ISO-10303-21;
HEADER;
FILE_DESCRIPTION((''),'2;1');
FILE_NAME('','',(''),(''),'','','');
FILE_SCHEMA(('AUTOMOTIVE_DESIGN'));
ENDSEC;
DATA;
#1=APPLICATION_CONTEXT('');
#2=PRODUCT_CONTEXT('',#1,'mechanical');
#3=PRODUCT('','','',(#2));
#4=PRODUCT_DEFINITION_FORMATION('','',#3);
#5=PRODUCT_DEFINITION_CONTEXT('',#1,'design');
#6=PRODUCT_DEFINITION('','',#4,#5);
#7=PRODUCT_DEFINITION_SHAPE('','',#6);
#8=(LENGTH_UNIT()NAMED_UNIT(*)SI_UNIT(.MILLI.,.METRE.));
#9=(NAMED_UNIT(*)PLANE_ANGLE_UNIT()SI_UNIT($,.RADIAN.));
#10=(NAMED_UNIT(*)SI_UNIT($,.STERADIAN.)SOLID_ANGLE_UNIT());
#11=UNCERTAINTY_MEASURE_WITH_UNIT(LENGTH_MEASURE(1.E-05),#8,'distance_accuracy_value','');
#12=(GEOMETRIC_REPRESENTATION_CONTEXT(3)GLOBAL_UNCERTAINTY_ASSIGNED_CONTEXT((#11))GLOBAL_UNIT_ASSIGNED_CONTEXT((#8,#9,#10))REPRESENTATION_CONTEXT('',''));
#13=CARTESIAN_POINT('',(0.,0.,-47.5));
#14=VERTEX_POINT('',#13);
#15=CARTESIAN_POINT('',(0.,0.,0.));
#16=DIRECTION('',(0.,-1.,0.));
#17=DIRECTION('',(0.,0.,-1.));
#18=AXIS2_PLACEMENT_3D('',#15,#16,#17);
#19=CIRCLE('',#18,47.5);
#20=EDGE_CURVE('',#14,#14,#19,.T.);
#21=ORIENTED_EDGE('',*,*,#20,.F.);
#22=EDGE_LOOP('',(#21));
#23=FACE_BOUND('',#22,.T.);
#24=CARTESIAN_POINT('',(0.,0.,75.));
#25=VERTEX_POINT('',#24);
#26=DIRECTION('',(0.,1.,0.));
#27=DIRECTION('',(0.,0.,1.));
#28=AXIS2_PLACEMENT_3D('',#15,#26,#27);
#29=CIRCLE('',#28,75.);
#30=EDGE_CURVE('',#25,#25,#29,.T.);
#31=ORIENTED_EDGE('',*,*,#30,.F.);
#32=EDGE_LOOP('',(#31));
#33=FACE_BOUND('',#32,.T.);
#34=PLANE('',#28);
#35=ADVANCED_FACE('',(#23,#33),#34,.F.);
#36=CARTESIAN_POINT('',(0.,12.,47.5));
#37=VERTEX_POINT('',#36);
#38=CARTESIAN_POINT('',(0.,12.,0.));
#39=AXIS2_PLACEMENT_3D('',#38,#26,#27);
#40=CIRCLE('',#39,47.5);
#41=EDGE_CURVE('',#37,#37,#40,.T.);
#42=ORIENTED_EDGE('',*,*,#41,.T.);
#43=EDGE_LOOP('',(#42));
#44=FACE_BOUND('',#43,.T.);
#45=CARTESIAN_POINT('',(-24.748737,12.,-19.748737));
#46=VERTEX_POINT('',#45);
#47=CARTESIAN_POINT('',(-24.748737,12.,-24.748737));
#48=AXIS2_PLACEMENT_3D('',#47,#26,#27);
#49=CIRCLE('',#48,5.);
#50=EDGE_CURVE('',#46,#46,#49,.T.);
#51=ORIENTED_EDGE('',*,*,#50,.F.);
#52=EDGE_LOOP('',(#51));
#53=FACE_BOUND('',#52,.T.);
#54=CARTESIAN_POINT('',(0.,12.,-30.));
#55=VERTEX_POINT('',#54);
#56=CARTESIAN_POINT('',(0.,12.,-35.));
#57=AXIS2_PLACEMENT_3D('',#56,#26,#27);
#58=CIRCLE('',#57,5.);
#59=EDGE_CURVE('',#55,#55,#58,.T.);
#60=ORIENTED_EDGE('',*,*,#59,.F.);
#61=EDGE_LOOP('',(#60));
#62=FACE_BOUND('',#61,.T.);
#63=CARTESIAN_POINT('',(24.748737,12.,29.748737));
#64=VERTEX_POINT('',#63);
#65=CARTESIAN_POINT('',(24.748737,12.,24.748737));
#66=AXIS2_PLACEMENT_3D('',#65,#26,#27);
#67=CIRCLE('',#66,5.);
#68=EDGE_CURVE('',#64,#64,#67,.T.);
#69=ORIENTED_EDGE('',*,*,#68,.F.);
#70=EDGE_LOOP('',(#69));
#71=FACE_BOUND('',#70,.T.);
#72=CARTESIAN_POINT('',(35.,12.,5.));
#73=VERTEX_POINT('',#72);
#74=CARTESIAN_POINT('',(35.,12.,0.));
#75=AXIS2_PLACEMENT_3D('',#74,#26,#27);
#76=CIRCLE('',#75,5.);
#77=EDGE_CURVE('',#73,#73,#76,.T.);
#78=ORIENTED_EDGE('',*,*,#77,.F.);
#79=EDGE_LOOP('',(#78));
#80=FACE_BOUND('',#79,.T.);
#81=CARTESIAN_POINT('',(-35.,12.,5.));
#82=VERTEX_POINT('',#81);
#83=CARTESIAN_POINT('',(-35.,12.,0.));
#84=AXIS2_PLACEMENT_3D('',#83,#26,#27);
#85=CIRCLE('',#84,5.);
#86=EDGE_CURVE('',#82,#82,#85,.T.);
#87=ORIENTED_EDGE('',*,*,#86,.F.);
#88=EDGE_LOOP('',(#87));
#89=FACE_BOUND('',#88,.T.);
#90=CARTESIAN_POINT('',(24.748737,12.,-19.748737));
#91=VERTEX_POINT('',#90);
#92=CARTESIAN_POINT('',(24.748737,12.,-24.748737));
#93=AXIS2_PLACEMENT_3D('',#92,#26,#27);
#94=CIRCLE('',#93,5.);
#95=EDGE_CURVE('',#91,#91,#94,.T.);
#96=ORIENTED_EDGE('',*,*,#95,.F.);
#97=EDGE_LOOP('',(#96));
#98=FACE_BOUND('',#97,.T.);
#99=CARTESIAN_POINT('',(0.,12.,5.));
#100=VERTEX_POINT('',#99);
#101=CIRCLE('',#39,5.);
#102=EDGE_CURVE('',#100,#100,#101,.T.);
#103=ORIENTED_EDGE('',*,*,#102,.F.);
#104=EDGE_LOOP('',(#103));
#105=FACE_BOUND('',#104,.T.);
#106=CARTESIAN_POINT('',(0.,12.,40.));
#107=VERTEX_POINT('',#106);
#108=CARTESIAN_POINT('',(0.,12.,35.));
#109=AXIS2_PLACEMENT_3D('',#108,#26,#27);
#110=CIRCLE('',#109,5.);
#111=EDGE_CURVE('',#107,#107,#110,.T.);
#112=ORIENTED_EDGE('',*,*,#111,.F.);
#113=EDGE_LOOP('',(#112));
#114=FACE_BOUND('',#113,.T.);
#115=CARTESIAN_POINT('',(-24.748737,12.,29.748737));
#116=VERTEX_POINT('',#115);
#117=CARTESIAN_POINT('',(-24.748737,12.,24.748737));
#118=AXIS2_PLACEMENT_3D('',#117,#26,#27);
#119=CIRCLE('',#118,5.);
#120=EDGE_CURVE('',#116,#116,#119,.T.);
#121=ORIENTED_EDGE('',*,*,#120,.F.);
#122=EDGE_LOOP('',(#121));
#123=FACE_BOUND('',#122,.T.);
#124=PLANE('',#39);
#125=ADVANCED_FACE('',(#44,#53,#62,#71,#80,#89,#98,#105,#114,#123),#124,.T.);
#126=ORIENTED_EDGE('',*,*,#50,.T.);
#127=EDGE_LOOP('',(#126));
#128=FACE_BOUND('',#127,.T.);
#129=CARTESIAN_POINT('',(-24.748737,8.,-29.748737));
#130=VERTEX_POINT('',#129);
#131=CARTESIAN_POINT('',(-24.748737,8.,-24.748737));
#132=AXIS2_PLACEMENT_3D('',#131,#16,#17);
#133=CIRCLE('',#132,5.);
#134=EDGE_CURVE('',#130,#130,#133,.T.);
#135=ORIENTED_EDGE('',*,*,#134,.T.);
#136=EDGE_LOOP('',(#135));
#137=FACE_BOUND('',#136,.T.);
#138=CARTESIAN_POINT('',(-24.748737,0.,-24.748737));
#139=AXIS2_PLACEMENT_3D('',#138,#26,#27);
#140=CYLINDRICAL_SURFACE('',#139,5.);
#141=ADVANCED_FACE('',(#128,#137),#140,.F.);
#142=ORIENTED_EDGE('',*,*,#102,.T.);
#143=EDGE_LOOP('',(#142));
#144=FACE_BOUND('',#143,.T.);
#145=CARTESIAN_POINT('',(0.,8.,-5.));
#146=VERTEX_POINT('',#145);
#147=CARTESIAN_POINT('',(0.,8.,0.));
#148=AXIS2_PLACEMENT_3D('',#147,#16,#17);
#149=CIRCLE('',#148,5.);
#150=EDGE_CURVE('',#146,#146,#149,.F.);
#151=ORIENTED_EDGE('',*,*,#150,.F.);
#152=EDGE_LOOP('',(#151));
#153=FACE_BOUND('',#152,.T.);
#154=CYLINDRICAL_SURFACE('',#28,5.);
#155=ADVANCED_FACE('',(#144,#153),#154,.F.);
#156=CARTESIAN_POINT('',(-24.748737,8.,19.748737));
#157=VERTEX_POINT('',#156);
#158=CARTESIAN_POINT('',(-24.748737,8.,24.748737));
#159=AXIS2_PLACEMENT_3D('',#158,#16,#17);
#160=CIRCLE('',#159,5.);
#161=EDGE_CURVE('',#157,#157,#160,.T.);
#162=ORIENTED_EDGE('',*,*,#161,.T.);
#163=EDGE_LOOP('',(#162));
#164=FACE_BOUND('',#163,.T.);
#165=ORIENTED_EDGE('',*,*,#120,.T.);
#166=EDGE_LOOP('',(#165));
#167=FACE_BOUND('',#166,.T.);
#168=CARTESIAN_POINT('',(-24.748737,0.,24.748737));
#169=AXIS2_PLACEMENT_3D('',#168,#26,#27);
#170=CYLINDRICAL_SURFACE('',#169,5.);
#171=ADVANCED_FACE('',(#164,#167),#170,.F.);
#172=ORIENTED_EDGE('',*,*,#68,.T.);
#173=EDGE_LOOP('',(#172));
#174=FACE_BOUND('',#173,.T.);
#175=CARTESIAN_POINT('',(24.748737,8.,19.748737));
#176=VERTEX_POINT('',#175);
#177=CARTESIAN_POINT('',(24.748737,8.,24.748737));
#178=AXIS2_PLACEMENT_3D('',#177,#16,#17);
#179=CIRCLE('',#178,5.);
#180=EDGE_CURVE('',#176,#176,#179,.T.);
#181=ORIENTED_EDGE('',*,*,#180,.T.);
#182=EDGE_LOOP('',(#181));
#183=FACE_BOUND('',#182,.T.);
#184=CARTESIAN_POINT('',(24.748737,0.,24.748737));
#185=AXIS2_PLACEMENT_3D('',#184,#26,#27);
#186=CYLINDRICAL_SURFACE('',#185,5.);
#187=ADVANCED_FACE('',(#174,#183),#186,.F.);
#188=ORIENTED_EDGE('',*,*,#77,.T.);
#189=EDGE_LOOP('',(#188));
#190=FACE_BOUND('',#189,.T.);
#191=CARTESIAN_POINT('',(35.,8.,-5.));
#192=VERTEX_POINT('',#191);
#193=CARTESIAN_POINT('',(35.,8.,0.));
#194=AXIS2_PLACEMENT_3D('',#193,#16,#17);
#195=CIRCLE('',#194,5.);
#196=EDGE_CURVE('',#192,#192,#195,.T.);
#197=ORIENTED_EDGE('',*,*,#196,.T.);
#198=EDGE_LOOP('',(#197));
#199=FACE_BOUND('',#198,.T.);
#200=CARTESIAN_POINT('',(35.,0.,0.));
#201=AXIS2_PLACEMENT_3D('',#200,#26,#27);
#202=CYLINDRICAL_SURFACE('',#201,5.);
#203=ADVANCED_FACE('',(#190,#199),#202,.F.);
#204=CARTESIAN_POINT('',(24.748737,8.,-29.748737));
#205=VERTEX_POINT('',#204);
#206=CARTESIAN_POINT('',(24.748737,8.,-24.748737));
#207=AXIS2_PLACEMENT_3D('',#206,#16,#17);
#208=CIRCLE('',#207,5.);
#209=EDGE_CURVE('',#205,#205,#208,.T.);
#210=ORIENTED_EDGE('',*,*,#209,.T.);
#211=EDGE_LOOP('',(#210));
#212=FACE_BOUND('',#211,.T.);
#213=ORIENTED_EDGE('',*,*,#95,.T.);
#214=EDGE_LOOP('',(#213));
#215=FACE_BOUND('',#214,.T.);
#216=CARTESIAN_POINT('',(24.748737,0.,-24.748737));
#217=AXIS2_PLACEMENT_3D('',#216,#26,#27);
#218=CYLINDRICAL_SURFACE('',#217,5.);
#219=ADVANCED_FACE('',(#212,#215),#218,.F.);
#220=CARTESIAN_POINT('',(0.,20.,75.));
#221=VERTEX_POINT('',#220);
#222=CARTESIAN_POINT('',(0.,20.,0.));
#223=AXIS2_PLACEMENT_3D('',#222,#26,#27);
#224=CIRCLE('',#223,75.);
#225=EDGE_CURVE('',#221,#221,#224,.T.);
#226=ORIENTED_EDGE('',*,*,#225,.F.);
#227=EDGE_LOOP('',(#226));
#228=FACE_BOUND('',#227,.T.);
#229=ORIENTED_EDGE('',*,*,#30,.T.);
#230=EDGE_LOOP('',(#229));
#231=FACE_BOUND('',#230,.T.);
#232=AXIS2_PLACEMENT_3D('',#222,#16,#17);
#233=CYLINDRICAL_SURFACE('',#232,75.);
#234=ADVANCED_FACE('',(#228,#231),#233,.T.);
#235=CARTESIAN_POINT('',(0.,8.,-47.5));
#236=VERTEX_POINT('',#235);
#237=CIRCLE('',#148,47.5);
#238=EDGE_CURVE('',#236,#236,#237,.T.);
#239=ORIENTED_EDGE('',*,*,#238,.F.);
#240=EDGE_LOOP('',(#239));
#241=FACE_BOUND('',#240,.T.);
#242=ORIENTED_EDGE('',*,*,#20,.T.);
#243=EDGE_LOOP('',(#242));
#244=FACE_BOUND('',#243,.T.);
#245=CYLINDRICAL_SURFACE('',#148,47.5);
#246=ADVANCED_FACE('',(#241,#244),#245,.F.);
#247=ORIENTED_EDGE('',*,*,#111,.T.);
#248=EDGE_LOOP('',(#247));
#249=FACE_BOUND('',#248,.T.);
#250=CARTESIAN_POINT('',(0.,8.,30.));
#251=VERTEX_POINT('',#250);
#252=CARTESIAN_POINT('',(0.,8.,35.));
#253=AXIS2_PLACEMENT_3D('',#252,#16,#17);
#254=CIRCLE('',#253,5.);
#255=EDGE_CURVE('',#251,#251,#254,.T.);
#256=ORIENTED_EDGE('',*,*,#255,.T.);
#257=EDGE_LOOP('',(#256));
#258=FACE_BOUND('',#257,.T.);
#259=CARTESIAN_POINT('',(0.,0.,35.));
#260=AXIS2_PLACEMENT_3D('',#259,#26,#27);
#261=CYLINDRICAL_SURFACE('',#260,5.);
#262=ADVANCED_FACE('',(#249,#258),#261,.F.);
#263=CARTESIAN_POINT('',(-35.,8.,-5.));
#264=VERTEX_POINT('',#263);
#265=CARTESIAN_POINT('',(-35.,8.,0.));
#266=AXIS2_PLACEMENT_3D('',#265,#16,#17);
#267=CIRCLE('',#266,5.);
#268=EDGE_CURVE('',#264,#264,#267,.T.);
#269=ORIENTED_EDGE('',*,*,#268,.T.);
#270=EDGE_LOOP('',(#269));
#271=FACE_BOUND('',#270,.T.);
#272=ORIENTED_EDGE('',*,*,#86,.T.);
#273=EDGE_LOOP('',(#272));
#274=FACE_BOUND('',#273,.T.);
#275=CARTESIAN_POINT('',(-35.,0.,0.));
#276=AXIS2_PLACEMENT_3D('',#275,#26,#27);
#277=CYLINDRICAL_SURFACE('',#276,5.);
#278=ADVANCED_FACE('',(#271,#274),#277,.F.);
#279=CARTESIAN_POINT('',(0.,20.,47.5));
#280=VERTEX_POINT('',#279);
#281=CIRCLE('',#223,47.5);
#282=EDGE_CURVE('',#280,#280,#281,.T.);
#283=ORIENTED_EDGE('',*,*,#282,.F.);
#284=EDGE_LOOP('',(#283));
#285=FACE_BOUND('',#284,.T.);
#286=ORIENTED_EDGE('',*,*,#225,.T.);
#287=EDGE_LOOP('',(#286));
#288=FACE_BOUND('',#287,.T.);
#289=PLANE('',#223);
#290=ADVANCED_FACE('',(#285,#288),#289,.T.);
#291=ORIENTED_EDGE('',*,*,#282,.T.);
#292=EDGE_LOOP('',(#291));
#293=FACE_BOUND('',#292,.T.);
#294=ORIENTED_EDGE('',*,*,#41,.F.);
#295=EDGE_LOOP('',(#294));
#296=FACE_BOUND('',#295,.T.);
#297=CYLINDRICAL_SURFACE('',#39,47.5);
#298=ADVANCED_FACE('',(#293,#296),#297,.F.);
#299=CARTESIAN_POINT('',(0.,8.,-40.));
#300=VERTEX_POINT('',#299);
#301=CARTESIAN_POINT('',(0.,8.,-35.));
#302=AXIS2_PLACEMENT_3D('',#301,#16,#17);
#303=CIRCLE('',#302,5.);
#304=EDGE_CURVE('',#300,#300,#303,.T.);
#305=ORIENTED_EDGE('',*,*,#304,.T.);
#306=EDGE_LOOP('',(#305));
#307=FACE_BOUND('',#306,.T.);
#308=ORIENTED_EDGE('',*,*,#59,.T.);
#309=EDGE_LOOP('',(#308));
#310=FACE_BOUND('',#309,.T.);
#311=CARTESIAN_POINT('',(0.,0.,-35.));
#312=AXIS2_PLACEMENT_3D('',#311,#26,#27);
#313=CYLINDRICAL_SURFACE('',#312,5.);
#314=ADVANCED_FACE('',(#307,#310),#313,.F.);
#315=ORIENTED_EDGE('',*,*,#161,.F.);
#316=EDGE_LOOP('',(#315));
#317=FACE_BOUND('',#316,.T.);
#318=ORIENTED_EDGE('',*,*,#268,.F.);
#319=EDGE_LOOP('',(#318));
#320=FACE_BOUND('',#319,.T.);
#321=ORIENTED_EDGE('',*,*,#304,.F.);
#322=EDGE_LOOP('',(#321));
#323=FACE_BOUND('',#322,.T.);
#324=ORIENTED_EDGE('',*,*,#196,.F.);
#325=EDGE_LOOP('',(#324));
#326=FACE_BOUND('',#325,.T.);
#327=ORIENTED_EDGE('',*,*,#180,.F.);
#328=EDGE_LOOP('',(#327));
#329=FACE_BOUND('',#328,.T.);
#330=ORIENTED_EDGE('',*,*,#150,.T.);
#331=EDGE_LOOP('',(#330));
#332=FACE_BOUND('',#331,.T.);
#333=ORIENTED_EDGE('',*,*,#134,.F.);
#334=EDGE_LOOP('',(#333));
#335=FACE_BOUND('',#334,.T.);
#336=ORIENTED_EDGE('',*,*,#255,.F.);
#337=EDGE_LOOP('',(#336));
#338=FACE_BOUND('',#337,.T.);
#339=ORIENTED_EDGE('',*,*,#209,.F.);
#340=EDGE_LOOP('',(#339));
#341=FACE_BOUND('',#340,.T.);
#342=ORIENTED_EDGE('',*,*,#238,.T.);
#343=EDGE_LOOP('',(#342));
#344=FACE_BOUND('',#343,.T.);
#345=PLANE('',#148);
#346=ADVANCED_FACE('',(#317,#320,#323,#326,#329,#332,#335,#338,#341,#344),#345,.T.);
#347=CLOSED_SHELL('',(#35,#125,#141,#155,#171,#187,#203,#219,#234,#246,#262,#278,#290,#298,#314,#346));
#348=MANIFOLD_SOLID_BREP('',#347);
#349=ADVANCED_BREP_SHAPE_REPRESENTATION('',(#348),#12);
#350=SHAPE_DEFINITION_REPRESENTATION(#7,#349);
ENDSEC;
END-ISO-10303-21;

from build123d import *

# Parameters (mm, degrees)
SKETCH1_R           = 75
SKETCH1_R_2         = 43
BOSS_EXTRUDE1_DEPTH = 20
SKETCH2_R           = 43
BOSS_EXTRUDE2_DEPTH = 20
SKETCH3_R           = 47.5
CUT_EXTRUDE1_DEPTH  = 8
SKETCH6_R           = 5
CUT_EXTRUDE4_DEPTH  = 13
SKETCH4_R           = 47.5
CUT_EXTRUDE2_DEPTH  = 8
SKETCH5_R           = 3
SKETCH5_R_2         = 5
CUT_EXTRUDE3_DEPTH  = 13


with BuildPart() as part:
    # Sketch1 → Boss-Extrude1 (new body)
    with BuildSketch(Plane(origin=(0, 0, 0), x_dir=(1, 0, 0), z_dir=(0, 1, 0))):
        Circle(SKETCH1_R)
        Circle(SKETCH1_R_2, mode=Mode.SUBTRACT)
    extrude(amount=BOSS_EXTRUDE1_DEPTH)

    # Sketch2 → Boss-Extrude2 (add)
    with BuildSketch(Plane(origin=(0, 20, 0), x_dir=(1, 0, 0), z_dir=(0, 1, 0))):
        Circle(SKETCH2_R)
    extrude(amount=-BOSS_EXTRUDE2_DEPTH)

    # Sketch3 → Cut-Extrude1 (cut)
    with BuildSketch(Plane(origin=(0, 20, 0), x_dir=(1, 0, 0), z_dir=(0, 1, 0))):
        Circle(SKETCH3_R)
    extrude(amount=-CUT_EXTRUDE1_DEPTH, mode=Mode.SUBTRACT)

    # Sketch6 → Cut-Extrude4 (cut, through all)
    with BuildSketch(Plane(origin=(0, 12, 0), x_dir=(1, 0, 0), z_dir=(0, 1, 0))):
        Circle(SKETCH6_R)
    extrude(amount=-CUT_EXTRUDE4_DEPTH, mode=Mode.SUBTRACT)

    # Sketch4 → Cut-Extrude2 (cut)
    with BuildSketch(Plane.XZ):
        Circle(SKETCH4_R)
    extrude(amount=-CUT_EXTRUDE2_DEPTH, mode=Mode.SUBTRACT)

    # Sketch5 → Cut-Extrude3 (cut, through all)
    with BuildSketch(Plane(origin=(0, 12, 0), x_dir=(1, 0, 0), z_dir=(0, 1, 0))):
        Circle(SKETCH5_R)
        with Locations((0, 35)):
            Circle(SKETCH5_R_2)
        with Locations((24.748737342, 24.748737342)):
            Circle(SKETCH5_R_2)
        with Locations((35, 0)):
            Circle(SKETCH5_R_2)
        with Locations((24.748737342, -24.748737342)):
            Circle(SKETCH5_R_2)
        with Locations((0, -35)):
            Circle(SKETCH5_R_2)
        with Locations((-24.748737342, -24.748737342)):
            Circle(SKETCH5_R_2)
        with Locations((-35, 0)):
            Circle(SKETCH5_R_2)
        with Locations((-24.748737342, 24.748737342)):
            Circle(SKETCH5_R_2)
    extrude(amount=-CUT_EXTRUDE3_DEPTH, mode=Mode.SUBTRACT)


solid = part.part
